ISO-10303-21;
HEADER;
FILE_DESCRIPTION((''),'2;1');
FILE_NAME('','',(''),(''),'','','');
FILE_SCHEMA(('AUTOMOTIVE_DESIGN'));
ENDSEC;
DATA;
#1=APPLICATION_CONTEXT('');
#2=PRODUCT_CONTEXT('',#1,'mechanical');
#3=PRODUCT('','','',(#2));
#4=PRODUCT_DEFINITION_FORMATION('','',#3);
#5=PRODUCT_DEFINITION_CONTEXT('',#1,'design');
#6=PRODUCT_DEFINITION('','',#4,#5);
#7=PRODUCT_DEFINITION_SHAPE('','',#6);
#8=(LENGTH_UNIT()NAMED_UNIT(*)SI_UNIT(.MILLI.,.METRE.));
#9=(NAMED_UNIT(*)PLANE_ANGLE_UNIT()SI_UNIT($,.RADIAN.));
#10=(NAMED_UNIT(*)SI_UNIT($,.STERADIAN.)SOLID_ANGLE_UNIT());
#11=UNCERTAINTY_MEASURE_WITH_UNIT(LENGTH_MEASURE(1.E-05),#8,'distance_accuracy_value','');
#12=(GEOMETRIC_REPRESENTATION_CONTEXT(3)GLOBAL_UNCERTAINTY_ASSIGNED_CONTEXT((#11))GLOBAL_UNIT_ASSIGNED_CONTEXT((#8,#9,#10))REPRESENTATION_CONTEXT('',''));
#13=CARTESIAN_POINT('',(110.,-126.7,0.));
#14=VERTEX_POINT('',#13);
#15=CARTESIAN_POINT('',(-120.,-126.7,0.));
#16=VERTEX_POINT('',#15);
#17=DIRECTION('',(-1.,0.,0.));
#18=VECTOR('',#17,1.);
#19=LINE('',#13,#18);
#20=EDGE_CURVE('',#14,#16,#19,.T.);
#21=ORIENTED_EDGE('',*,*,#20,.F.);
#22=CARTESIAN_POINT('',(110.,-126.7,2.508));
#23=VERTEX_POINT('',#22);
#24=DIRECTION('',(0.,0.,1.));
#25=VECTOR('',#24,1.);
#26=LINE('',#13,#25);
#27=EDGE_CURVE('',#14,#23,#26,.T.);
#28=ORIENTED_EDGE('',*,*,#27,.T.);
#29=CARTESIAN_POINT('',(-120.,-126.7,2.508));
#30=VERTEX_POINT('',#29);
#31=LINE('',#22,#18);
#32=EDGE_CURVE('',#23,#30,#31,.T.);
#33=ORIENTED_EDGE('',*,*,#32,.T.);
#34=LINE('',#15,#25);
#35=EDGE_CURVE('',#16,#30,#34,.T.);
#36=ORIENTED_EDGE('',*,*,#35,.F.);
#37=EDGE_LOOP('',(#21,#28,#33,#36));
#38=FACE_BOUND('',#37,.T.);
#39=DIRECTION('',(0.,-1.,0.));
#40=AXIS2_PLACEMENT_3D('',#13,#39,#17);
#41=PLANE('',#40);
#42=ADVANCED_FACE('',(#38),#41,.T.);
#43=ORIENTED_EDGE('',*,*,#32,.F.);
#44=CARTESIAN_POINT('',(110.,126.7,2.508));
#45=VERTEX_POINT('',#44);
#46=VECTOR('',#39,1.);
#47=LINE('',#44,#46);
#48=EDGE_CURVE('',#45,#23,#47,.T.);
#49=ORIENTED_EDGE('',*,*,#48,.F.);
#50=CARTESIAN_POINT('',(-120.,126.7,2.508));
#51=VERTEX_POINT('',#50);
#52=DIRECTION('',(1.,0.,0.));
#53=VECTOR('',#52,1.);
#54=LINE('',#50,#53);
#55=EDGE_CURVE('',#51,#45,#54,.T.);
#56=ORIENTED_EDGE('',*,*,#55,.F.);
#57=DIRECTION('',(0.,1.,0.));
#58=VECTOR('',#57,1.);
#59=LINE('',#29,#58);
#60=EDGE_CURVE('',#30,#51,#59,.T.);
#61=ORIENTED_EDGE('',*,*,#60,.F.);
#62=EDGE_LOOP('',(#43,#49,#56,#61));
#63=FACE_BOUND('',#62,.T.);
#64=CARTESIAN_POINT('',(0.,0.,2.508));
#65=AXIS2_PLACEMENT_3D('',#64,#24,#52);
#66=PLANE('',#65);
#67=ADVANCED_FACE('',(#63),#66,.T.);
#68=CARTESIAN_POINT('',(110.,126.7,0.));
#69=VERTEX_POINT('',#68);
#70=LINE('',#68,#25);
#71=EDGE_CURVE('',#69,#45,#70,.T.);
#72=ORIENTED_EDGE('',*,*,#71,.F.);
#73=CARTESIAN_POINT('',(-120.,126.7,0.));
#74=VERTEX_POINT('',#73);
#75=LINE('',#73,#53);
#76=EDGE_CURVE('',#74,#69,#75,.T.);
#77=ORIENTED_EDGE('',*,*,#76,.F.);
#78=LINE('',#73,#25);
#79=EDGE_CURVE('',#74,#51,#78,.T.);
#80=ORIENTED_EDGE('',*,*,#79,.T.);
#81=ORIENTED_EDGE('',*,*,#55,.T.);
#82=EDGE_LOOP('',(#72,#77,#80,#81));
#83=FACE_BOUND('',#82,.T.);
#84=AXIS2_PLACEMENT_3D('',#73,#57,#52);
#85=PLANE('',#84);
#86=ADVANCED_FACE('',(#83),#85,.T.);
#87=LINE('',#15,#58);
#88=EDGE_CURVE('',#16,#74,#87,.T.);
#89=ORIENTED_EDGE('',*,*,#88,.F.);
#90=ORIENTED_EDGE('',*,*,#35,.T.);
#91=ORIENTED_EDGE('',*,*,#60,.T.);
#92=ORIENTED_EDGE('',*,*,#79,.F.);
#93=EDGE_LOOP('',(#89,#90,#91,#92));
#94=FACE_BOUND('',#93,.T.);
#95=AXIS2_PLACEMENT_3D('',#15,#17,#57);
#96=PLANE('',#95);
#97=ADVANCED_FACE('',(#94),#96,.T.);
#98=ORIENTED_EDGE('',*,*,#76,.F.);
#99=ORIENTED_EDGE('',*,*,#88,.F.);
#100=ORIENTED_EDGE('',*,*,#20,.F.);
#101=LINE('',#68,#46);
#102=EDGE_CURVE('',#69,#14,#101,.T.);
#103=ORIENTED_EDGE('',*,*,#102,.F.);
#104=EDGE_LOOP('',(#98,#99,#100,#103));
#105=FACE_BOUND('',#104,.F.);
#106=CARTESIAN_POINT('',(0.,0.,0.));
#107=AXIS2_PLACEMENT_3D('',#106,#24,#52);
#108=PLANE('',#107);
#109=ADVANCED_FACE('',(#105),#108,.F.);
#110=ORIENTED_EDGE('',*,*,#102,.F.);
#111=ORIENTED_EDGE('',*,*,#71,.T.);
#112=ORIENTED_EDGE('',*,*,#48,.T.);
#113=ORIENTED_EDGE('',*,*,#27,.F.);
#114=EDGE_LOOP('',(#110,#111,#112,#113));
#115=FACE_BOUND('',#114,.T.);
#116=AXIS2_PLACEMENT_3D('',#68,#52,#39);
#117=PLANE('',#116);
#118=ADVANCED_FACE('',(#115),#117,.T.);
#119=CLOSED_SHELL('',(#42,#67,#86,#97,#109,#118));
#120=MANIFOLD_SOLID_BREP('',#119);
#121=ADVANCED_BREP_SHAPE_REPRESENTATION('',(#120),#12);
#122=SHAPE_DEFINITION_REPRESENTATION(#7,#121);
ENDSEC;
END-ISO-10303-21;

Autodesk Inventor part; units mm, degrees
ref_plane "YZ Plane" through (0, 0, 0) normal (1, 0, 0) x (0, 1, 0)
ref_plane "XZ Plane" through (0, 0, 0) normal (0, 1, 0) x (-1, 0, 0)
ref_plane "XY Plane" through (0, 0, 0) normal (0, 0, 1) x (1, 0, 0)
sketch "Sketch1" plane through (0, 0, 0) normal (0, 0, 1) x (1, 0, 0)
  line L0 (-120, -126.7) -> (-120, 126.7)
  line L1 (-120, 126.7) -> (110, 126.7)
  line L2 (110, 126.7) -> (110, -126.7)
  line L3 (110, -126.7) -> (-120, -126.7)
extrude "spin4v23.brd_Outline" add sketch "Sketch1" along normal blind 2.508
properties part number "spin4v23.brd_Outline1"
